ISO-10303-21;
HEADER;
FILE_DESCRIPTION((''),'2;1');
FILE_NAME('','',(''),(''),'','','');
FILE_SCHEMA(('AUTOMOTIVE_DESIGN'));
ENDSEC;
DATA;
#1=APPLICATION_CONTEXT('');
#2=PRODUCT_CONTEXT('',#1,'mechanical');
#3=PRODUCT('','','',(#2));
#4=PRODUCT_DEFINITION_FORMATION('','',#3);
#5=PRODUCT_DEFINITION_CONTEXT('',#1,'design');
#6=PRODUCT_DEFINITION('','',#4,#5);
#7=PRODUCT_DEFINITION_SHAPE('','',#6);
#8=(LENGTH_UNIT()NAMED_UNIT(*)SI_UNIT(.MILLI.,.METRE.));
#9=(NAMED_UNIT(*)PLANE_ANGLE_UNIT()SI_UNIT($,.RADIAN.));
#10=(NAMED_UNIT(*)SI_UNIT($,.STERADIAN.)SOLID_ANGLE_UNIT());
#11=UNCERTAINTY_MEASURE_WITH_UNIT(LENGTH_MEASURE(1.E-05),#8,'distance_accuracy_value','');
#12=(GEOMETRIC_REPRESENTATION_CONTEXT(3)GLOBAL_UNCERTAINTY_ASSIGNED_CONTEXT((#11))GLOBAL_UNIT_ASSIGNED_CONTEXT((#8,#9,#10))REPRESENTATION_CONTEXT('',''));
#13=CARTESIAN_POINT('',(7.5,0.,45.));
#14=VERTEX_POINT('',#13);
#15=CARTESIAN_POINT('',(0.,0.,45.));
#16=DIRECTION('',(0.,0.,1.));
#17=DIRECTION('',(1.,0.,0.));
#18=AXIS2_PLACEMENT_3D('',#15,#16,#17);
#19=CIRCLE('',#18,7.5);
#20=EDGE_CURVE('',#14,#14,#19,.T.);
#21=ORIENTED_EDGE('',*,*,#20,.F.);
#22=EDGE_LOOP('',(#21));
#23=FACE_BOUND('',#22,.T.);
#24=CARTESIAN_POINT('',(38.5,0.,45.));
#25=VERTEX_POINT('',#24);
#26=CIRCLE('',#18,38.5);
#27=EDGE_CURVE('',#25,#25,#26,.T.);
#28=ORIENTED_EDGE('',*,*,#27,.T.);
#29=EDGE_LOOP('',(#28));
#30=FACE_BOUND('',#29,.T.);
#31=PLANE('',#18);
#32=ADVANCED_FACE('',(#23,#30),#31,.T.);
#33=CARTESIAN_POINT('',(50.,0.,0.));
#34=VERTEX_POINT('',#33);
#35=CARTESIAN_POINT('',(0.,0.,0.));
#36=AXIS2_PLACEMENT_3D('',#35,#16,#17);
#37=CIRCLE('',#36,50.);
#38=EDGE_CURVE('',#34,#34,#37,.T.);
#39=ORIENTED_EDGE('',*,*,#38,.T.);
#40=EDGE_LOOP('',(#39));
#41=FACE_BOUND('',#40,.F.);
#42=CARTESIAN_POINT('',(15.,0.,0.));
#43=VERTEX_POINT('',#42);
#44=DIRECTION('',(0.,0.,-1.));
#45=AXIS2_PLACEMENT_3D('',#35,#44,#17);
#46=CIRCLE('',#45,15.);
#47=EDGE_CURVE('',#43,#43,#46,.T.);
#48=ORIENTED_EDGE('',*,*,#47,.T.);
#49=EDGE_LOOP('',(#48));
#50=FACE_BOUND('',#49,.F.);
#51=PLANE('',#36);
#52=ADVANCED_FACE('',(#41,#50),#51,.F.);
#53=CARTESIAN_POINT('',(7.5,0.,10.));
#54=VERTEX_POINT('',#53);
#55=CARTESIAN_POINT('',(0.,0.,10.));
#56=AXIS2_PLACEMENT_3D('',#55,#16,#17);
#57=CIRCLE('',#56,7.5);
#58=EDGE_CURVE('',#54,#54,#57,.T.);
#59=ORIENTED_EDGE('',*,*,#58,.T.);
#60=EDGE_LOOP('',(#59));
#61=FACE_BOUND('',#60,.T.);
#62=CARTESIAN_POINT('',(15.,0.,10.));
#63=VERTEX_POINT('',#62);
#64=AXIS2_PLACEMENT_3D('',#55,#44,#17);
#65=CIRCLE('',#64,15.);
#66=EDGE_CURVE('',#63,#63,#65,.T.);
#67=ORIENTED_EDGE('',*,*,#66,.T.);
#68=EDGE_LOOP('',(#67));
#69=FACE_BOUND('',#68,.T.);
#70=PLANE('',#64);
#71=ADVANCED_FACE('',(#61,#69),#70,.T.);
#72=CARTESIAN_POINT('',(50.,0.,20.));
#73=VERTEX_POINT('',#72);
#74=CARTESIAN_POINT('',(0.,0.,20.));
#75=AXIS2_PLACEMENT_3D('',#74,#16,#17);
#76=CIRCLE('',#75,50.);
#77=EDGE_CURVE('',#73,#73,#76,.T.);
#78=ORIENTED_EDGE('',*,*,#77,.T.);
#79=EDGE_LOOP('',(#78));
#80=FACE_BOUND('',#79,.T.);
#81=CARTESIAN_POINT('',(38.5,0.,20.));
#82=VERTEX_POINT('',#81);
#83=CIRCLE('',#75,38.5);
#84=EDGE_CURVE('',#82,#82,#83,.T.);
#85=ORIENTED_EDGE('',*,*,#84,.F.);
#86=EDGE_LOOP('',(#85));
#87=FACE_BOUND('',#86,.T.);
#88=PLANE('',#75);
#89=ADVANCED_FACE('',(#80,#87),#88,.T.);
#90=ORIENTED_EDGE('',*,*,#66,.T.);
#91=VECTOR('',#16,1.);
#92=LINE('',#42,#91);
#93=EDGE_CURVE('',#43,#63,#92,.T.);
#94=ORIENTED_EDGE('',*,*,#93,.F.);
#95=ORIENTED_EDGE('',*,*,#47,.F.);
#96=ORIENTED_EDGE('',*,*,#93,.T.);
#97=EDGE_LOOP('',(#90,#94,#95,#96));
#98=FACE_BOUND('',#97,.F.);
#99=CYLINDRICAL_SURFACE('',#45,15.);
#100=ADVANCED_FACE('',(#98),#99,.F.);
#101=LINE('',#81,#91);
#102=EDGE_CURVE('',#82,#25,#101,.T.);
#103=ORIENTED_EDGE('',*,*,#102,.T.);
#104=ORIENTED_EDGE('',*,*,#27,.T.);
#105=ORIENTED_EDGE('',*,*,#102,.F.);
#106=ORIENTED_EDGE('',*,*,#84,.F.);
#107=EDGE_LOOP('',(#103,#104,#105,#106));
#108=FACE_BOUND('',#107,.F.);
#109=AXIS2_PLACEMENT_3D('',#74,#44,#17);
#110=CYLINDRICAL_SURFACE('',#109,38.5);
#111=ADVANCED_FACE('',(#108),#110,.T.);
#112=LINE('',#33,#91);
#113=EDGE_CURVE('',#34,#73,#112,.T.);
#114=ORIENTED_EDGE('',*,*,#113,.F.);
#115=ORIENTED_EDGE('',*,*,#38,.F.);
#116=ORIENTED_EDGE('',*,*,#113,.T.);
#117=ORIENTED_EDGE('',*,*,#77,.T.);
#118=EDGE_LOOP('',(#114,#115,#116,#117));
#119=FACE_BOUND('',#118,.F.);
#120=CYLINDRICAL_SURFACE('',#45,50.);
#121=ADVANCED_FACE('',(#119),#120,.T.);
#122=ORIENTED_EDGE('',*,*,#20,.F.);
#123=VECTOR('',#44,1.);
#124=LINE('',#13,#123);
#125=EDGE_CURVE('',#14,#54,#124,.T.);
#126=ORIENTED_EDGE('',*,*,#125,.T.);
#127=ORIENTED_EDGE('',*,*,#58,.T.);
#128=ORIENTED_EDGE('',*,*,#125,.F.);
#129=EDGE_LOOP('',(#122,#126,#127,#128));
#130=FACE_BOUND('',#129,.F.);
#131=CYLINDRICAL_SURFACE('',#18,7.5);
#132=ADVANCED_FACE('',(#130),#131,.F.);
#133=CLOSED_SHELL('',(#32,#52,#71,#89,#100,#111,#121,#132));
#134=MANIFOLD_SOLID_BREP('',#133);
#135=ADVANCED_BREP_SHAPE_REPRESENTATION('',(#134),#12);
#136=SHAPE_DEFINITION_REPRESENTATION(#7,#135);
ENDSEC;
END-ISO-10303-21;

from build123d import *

# Parameters (mm, degrees)
F0_R     = 50
F1_DEPTH = 20
F2_R     = 38.5
F3_DEPTH = 25
F5_R     = 7.5
F6_DEPTH = 50
F7_R     = 15
F8_DEPTH = 10


with BuildPart() as f1:
    # F0 (on Top) → F1 (new body)
    with BuildSketch(Plane.XY):
        Circle(F0_R)
    extrude(amount=F1_DEPTH)

    # F2 (on face) → F3 (join)
    with BuildSketch(Plane.XY.offset(20)):
        Circle(F2_R)
    extrude(amount=F3_DEPTH)

    # F5 (on face) → F6 (cut)
    with BuildSketch(Plane.XY.offset(45)):
        Circle(F5_R)
    extrude(amount=-F6_DEPTH, mode=Mode.SUBTRACT)

    # F7 (on face) → F8 (cut)
    with BuildSketch(Plane(origin=(0, 0, 0), x_dir=(1, 0, 0), z_dir=(0, 0, -1))):
        Circle(F7_R)
    extrude(amount=-F8_DEPTH, mode=Mode.SUBTRACT)


solid = f1.part
